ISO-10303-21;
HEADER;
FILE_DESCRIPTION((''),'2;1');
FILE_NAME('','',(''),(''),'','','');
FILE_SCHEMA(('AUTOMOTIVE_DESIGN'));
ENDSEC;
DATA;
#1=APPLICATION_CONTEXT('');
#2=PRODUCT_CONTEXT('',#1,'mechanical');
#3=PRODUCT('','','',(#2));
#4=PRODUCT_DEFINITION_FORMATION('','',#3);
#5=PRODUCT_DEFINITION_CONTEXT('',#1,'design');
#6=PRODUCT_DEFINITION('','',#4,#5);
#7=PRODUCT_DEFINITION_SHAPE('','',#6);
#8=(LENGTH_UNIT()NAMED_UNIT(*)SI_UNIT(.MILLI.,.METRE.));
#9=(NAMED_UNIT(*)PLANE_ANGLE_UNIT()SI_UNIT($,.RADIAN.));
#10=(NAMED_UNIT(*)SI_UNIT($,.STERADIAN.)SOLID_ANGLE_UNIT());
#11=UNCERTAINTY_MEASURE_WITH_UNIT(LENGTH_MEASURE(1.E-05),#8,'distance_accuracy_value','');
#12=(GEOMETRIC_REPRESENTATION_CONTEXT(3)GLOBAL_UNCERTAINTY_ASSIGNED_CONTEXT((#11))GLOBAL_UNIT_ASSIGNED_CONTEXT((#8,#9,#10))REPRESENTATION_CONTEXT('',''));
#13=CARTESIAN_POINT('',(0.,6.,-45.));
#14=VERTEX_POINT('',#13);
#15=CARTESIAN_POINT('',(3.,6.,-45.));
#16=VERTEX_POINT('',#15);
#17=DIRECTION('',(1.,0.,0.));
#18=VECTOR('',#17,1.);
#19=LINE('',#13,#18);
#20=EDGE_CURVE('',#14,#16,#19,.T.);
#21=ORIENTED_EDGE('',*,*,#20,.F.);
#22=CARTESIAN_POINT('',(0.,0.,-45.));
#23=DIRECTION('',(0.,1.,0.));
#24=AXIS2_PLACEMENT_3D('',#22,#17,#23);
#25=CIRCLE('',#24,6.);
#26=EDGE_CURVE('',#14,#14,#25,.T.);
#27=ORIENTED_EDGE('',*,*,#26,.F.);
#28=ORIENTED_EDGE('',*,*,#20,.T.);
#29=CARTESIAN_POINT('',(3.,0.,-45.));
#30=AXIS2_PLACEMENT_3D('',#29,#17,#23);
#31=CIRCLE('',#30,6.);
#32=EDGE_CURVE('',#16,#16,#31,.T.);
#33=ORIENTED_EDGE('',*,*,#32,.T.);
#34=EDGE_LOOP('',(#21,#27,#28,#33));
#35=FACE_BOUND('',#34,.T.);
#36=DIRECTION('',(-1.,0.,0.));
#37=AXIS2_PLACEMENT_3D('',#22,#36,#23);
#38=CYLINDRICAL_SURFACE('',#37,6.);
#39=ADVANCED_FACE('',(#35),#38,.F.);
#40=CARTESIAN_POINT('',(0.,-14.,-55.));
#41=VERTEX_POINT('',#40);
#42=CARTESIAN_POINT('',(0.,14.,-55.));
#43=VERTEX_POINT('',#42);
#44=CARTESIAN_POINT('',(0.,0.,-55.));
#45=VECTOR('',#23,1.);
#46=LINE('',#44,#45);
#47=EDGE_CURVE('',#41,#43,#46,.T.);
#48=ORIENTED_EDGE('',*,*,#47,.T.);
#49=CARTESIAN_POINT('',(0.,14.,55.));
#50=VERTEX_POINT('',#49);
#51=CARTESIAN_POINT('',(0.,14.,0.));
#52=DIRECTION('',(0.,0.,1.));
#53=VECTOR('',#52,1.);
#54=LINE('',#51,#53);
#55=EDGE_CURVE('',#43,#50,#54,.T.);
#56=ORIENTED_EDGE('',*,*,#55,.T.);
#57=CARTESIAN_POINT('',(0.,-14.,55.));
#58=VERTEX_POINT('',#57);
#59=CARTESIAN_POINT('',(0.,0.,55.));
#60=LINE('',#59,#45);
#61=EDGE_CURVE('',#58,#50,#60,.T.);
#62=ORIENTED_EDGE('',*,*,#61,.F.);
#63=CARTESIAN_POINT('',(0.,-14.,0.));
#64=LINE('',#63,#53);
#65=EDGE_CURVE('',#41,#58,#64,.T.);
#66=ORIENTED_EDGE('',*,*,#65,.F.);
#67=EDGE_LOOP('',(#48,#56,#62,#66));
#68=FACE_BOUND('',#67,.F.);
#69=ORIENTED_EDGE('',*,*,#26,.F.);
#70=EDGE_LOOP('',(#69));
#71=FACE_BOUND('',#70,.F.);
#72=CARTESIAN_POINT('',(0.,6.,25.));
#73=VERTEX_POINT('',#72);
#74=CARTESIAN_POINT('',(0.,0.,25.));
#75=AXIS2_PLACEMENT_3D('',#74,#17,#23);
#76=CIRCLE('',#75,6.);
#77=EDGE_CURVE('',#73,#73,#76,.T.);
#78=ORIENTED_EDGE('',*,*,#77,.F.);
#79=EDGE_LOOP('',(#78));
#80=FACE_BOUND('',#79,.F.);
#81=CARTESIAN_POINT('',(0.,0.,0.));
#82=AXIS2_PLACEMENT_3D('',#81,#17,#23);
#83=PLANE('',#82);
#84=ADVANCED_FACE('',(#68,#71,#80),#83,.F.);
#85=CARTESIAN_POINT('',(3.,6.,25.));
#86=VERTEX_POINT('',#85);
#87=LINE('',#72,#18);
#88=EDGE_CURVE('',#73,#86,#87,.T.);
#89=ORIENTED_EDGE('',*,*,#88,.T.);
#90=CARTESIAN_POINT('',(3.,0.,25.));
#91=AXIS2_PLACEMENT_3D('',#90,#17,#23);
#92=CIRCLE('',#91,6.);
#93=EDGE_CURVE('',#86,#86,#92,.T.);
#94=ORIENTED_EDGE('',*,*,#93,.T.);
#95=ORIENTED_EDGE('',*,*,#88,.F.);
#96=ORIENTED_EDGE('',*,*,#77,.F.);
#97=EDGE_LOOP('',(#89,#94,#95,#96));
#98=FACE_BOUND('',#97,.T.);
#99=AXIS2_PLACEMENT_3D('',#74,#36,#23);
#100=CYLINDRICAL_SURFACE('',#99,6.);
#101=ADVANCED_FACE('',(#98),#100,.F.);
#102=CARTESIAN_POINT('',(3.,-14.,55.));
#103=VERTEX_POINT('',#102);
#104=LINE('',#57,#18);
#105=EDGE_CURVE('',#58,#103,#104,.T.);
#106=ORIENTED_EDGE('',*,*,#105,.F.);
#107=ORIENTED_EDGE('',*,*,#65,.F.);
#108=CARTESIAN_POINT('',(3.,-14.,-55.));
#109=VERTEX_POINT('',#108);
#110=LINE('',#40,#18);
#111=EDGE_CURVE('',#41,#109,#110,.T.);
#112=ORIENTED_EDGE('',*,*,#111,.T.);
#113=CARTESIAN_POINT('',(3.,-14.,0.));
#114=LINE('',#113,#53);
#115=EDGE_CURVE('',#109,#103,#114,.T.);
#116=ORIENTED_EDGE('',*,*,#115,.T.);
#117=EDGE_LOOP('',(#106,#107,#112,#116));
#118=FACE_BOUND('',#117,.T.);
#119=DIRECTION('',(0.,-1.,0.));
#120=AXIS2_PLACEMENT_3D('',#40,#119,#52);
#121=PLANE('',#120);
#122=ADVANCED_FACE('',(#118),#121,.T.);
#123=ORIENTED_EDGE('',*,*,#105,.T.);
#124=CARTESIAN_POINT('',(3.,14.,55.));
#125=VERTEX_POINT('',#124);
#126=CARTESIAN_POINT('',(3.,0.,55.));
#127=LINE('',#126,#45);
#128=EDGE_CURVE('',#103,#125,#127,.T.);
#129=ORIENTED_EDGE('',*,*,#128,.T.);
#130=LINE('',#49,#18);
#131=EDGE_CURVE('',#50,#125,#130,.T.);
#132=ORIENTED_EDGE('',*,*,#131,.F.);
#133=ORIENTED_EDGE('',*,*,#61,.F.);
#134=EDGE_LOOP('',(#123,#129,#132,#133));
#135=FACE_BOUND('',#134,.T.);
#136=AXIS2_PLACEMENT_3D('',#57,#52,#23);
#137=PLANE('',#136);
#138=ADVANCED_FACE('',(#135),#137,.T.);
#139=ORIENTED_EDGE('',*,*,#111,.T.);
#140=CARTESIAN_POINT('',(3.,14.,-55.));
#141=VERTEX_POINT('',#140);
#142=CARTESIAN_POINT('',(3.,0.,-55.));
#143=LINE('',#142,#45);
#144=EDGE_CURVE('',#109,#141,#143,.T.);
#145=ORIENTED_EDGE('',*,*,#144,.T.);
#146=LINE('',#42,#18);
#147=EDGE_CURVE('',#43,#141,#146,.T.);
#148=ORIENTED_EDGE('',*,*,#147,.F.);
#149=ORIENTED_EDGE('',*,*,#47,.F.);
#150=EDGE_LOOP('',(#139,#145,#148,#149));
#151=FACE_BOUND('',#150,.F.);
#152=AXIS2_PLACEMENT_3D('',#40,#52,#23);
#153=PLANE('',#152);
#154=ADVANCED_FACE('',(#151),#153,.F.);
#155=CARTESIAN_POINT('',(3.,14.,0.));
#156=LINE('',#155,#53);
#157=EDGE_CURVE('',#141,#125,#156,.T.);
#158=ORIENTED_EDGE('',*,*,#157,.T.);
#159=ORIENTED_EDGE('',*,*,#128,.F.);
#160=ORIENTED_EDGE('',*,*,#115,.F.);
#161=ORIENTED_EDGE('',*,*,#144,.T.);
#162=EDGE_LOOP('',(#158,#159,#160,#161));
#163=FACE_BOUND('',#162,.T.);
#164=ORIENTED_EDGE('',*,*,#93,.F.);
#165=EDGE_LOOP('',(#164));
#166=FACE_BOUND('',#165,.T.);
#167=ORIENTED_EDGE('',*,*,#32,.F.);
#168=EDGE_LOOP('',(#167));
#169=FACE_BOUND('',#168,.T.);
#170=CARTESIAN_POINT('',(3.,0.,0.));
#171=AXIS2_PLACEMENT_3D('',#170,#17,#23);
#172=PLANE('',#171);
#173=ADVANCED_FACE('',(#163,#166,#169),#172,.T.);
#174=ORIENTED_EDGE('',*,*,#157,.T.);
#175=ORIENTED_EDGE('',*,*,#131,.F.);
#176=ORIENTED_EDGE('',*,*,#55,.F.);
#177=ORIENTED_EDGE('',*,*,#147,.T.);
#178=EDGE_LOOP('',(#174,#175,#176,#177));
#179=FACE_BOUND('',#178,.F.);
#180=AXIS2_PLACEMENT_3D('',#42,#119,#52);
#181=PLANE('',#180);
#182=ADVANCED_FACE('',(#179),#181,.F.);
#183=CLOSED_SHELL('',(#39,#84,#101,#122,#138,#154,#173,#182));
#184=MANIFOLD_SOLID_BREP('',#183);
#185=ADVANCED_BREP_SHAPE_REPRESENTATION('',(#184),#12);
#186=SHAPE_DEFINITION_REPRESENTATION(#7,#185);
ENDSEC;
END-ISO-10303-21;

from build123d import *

# Parameters (mm, degrees)
F0_W     = 28
F0_H     = 110
F0_R     = 6
F1_DEPTH = 3


with BuildPart() as f1:
    # F0 (on Right) → F1 (new body)
    with BuildSketch(Plane.YZ):
        Rectangle(F0_W, F0_H)
        with Locations((0, -45)):
            Circle(F0_R, mode=Mode.SUBTRACT)
        with Locations((0, 25)):
            Circle(F0_R, mode=Mode.SUBTRACT)
    extrude(amount=F1_DEPTH)


solid = f1.part
